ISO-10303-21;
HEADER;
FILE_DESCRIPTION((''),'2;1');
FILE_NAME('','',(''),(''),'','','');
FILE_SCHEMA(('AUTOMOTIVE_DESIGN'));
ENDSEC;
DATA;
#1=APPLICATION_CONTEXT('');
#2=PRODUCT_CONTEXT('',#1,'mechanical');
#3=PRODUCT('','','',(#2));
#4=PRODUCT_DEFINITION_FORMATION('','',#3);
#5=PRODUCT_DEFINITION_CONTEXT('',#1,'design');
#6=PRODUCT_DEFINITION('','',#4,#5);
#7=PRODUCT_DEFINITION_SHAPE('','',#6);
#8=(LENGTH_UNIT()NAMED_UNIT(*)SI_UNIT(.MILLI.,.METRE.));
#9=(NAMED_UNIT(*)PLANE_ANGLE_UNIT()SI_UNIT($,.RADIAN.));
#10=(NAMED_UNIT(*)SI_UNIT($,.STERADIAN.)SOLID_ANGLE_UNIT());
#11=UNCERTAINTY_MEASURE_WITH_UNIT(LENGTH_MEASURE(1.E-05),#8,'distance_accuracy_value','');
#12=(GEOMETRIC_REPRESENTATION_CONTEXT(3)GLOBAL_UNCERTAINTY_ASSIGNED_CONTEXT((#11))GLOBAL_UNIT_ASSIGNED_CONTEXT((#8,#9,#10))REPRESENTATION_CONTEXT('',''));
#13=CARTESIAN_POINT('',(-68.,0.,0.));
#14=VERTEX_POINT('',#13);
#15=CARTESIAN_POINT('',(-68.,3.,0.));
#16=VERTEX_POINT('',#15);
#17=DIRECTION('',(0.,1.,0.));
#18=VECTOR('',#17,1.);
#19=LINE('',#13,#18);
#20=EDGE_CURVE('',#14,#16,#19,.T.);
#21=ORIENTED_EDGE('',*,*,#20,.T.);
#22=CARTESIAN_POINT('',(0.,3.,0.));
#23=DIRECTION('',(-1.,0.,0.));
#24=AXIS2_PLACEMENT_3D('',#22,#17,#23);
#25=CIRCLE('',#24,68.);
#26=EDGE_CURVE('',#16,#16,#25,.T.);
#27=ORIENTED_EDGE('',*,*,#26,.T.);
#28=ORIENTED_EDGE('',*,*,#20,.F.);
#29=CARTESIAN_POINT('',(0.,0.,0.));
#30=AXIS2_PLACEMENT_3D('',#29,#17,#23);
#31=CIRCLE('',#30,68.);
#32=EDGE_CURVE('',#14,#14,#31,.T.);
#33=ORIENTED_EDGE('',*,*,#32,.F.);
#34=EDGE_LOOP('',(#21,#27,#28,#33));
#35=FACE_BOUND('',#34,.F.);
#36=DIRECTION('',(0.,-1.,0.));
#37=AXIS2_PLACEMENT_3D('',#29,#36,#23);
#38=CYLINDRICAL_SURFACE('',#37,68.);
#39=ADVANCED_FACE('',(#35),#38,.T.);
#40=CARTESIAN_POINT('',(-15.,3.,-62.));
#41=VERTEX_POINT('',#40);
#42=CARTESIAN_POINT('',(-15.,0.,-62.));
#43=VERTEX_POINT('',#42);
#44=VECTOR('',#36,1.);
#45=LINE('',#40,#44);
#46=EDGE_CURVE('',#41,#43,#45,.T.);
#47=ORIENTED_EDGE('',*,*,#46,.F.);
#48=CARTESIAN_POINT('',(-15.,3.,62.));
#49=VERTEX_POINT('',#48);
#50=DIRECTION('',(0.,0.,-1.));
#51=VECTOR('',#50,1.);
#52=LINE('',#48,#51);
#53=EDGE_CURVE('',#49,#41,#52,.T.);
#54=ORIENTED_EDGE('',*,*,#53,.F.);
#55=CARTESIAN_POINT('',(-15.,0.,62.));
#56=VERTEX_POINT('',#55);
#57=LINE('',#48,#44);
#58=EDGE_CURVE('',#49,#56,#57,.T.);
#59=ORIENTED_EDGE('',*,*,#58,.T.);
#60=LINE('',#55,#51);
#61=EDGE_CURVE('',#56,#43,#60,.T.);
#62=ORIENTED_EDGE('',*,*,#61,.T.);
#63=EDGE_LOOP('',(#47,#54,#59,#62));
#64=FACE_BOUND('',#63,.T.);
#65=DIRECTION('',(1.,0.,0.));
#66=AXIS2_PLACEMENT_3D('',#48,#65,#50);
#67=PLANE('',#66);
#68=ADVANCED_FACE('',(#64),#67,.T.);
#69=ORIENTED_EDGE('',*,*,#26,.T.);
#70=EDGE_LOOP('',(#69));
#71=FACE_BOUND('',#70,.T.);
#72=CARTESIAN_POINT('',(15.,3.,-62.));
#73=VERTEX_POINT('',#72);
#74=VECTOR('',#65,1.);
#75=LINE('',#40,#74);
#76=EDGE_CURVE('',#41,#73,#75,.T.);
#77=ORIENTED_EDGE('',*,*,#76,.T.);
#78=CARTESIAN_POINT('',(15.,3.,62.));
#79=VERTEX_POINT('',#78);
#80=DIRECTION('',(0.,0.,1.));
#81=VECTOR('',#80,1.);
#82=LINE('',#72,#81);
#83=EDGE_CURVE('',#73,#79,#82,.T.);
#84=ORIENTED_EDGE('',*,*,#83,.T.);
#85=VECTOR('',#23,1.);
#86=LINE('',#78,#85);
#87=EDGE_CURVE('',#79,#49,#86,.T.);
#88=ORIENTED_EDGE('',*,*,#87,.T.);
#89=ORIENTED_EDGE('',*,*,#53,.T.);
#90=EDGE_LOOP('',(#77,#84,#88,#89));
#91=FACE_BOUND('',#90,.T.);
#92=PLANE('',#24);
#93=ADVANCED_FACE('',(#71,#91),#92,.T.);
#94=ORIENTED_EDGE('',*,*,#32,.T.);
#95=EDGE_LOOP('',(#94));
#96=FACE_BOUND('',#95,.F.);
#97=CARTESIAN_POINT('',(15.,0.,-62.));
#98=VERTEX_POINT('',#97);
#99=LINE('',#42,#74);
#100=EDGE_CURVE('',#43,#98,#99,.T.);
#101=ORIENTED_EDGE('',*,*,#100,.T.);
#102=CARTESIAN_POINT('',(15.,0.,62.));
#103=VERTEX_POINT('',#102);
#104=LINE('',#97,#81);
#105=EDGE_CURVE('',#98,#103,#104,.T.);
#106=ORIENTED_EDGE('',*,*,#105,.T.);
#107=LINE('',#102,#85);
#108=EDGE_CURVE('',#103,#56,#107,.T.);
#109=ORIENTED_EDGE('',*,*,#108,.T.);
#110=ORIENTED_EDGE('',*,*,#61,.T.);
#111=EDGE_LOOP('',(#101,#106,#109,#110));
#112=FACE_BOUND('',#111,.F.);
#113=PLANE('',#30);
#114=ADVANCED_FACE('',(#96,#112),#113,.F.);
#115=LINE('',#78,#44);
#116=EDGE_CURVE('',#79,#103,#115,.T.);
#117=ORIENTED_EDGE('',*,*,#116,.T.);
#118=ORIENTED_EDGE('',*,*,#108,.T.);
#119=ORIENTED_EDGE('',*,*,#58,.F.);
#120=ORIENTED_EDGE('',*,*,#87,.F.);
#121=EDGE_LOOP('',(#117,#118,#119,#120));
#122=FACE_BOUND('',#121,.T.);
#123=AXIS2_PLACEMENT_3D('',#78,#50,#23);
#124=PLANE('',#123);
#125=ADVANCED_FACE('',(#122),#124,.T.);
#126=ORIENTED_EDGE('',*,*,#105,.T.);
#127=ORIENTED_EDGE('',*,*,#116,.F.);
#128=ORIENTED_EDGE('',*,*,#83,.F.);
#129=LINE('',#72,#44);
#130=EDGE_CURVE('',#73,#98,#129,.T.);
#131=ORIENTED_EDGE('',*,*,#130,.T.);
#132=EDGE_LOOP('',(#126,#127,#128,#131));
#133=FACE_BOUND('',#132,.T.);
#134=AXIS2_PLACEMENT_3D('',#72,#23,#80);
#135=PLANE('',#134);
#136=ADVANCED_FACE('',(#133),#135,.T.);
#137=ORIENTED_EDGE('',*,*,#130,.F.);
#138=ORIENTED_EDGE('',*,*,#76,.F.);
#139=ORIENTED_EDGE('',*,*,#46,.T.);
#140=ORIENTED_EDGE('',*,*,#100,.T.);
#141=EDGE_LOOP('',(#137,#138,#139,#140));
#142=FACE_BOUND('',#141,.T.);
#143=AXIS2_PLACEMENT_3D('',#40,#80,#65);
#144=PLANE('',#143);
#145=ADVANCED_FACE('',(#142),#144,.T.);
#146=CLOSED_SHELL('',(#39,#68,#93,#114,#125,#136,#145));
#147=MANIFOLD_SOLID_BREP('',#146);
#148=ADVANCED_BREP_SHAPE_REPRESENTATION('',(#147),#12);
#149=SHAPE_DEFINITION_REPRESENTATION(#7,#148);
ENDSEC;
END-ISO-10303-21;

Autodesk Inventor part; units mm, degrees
ref_plane "YZ Plane" through (0, 0, 0) normal (1, 0, 0) x (0, 1, 0)
ref_plane "XZ Plane" through (0, 0, 0) normal (0, 1, 0) x (-1, 0, 0)
ref_plane "XY Plane" through (0, 0, 0) normal (0, 0, 1) x (1, 0, 0)
sketch "Эскиз1" plane through (0, 0, 0) normal (0, 1, 0) x (-1, 0, 0)
  circle A0 centre (0, 0) radius 68
  dimension "d0" = 136
extrude "Выдавливание1" add sketch "Эскиз1" along normal blind 3
sketch "Эскиз2" plane through (0, 3, 0) normal (0, 1, 0) x (1, 0, 0)
  line L0 (15, -62) -> (-15, -62)
  line L1 (-15, -62) -> (-15, 62)
  line L2 (-15, 62) -> (15, 62)
  line L3 (15, 62) -> (15, -62)
  line L4 (15, -62) -> (-15, 62) construction
  line L5 (-15, -62) -> (15, 62) construction
  point P0 (0, 0)
  dimension "d3" = 30
  dimension "d4" = 124
extrude "Выдавливание2" cut sketch "Эскиз2" against normal blind 3
sketch "Эскиз3" plane through (0, 3, 0) normal (0, 1, 0) x (1, 0, 0)
  point P0 (0, 0)
